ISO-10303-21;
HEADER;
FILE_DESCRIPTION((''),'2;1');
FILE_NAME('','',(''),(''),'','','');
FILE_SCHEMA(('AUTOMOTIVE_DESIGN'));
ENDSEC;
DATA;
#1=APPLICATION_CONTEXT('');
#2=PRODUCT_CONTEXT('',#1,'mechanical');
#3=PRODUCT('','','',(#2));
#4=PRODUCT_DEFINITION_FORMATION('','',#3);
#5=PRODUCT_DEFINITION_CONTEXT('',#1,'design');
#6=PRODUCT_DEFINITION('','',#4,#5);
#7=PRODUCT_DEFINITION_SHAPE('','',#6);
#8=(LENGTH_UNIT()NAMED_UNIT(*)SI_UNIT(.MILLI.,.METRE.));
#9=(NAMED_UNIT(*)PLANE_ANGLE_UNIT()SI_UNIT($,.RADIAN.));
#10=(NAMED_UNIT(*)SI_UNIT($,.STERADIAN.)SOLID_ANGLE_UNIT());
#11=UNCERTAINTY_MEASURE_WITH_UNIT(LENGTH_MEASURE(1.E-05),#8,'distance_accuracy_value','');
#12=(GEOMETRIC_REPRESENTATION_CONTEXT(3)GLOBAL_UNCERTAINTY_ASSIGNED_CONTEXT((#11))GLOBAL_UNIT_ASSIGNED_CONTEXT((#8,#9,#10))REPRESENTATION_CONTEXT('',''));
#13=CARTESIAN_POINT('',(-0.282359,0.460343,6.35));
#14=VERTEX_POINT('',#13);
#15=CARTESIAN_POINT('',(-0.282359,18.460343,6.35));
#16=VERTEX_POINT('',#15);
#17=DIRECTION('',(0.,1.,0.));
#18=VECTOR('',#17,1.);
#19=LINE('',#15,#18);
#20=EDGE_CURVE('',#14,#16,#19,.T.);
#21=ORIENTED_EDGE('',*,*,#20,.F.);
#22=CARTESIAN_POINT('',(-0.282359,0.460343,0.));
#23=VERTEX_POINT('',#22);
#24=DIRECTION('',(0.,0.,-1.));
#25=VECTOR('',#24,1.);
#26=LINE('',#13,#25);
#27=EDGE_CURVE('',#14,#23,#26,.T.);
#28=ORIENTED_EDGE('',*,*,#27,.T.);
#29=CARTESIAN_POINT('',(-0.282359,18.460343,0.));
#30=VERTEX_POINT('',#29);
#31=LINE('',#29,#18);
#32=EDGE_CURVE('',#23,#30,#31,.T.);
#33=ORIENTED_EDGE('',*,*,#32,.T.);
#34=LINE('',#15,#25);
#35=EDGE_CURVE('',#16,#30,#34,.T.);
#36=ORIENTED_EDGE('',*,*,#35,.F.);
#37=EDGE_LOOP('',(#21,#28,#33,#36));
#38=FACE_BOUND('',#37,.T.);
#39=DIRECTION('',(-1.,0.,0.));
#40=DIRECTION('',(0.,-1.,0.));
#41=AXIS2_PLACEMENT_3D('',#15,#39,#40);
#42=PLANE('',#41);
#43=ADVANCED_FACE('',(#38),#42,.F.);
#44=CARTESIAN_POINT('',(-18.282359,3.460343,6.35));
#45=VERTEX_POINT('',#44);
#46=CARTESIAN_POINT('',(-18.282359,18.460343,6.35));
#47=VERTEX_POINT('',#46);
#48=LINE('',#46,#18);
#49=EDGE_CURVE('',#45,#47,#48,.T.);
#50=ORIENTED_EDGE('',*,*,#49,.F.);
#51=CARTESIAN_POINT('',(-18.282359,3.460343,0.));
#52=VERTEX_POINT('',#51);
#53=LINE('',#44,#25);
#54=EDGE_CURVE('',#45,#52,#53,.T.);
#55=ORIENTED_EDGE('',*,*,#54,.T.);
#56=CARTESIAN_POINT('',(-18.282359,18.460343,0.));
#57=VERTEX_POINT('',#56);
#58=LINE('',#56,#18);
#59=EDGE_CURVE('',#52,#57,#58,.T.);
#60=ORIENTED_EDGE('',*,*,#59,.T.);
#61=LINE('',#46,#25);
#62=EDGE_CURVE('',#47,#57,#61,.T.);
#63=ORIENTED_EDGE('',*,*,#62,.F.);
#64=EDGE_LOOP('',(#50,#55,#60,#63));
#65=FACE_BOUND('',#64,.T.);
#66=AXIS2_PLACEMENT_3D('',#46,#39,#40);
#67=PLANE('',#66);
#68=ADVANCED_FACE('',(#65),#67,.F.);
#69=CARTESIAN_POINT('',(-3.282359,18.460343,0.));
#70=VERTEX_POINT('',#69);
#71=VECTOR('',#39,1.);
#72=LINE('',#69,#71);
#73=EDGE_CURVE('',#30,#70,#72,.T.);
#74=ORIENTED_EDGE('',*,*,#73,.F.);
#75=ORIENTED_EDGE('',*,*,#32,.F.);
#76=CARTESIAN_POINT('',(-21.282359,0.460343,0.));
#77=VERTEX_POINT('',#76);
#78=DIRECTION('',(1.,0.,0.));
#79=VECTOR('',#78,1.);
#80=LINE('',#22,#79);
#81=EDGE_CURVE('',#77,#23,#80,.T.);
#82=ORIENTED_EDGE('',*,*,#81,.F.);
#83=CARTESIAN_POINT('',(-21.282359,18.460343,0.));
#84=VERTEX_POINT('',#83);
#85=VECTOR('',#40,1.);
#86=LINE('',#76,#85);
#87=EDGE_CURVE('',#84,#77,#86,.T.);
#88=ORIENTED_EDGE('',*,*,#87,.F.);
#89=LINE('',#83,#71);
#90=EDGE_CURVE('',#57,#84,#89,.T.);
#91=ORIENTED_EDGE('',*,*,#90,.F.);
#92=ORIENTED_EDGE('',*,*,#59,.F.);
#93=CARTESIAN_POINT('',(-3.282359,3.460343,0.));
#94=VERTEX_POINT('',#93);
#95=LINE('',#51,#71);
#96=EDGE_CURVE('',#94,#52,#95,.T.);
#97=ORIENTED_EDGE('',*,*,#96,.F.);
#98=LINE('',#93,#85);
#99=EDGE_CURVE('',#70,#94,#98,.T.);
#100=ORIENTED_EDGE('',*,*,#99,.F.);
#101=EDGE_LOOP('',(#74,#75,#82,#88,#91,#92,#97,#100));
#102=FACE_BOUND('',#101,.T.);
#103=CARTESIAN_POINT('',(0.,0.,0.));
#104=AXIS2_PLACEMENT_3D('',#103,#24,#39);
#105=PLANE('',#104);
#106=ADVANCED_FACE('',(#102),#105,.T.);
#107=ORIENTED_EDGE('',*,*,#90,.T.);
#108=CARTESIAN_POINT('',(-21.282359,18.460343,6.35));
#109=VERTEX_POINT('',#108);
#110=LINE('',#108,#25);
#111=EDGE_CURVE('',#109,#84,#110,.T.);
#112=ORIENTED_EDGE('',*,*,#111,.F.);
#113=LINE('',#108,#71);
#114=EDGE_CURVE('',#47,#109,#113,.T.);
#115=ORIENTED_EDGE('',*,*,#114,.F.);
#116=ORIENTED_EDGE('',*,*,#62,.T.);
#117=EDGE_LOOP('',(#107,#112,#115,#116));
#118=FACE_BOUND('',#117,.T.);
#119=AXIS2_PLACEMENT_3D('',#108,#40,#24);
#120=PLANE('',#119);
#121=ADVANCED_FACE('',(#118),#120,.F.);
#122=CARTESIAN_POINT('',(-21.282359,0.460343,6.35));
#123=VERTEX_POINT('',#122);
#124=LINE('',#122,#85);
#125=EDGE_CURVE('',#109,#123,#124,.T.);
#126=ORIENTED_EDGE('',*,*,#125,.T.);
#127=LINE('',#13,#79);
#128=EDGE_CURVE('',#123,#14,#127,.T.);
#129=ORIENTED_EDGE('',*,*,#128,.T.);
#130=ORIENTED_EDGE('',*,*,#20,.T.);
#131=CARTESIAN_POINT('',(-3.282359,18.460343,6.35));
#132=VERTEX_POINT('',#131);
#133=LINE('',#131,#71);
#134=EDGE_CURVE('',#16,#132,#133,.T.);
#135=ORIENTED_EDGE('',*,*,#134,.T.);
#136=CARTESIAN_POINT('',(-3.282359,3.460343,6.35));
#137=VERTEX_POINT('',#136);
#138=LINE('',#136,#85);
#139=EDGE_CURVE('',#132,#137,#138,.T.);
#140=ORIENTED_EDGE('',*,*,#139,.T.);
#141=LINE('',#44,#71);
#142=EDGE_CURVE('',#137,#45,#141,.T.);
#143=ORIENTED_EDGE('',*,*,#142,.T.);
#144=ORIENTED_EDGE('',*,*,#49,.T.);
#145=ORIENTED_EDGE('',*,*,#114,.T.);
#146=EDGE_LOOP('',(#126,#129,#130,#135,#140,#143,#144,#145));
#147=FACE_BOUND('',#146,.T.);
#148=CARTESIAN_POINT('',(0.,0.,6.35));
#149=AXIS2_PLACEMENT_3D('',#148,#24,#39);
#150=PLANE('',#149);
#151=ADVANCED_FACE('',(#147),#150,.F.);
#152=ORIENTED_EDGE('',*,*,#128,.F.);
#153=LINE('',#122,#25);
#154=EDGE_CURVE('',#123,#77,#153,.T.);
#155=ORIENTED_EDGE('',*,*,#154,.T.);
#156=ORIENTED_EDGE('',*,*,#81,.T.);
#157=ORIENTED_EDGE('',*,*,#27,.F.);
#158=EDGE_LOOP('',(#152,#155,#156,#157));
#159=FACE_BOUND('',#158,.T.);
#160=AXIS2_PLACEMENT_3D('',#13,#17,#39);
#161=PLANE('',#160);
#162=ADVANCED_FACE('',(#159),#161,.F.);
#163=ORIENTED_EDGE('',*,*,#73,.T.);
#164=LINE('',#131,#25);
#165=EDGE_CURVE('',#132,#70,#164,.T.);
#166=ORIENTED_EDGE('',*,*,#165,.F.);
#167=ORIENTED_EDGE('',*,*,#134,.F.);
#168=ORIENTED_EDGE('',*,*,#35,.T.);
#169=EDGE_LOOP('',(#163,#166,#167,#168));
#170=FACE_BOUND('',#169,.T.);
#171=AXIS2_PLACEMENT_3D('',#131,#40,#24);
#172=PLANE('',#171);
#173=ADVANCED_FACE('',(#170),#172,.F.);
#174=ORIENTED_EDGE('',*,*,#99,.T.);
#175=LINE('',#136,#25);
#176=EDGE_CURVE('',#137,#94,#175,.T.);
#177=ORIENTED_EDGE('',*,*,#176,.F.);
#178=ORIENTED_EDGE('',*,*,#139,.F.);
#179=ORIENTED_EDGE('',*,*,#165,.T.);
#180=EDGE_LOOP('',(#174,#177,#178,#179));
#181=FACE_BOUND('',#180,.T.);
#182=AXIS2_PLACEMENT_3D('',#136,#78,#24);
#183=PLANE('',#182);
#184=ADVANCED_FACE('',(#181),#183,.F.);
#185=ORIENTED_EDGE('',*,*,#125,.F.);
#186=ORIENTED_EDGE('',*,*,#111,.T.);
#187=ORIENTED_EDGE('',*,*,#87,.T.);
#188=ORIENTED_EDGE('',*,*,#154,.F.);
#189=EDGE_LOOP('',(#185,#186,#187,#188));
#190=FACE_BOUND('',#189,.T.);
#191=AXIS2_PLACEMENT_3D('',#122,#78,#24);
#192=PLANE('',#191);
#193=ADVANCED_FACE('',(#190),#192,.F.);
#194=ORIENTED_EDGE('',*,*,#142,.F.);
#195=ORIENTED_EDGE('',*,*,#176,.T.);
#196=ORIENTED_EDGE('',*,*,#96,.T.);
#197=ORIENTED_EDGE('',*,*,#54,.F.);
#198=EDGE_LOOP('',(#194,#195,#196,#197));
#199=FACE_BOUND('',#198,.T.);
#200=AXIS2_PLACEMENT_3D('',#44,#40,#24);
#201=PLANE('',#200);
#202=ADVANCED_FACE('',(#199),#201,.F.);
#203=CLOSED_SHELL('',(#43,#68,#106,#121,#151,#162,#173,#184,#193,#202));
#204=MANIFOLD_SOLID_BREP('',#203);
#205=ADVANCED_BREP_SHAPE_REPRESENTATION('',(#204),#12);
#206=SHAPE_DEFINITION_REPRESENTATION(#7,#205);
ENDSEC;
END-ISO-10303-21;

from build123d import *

# Parameters (mm, degrees)
BOSS_EXTRUDE1_DEPTH = 6.35


with BuildPart() as part:
    # Sketch1 → Boss-Extrude1 (new body)
    with BuildSketch(Plane.XY):
        Polygon((-18.28235915, 18.460343312), (-18.28235915, 3.460343312), (-3.28235915, 3.460343312), (-3.28235915, 18.460343312), (-0.28235915, 18.460343312), (-0.28235915, 0.460343312), (-21.28235915, 0.460343312), (-21.28235915, 18.460343312), align=None)
    extrude(amount=BOSS_EXTRUDE1_DEPTH)


solid = part.part
